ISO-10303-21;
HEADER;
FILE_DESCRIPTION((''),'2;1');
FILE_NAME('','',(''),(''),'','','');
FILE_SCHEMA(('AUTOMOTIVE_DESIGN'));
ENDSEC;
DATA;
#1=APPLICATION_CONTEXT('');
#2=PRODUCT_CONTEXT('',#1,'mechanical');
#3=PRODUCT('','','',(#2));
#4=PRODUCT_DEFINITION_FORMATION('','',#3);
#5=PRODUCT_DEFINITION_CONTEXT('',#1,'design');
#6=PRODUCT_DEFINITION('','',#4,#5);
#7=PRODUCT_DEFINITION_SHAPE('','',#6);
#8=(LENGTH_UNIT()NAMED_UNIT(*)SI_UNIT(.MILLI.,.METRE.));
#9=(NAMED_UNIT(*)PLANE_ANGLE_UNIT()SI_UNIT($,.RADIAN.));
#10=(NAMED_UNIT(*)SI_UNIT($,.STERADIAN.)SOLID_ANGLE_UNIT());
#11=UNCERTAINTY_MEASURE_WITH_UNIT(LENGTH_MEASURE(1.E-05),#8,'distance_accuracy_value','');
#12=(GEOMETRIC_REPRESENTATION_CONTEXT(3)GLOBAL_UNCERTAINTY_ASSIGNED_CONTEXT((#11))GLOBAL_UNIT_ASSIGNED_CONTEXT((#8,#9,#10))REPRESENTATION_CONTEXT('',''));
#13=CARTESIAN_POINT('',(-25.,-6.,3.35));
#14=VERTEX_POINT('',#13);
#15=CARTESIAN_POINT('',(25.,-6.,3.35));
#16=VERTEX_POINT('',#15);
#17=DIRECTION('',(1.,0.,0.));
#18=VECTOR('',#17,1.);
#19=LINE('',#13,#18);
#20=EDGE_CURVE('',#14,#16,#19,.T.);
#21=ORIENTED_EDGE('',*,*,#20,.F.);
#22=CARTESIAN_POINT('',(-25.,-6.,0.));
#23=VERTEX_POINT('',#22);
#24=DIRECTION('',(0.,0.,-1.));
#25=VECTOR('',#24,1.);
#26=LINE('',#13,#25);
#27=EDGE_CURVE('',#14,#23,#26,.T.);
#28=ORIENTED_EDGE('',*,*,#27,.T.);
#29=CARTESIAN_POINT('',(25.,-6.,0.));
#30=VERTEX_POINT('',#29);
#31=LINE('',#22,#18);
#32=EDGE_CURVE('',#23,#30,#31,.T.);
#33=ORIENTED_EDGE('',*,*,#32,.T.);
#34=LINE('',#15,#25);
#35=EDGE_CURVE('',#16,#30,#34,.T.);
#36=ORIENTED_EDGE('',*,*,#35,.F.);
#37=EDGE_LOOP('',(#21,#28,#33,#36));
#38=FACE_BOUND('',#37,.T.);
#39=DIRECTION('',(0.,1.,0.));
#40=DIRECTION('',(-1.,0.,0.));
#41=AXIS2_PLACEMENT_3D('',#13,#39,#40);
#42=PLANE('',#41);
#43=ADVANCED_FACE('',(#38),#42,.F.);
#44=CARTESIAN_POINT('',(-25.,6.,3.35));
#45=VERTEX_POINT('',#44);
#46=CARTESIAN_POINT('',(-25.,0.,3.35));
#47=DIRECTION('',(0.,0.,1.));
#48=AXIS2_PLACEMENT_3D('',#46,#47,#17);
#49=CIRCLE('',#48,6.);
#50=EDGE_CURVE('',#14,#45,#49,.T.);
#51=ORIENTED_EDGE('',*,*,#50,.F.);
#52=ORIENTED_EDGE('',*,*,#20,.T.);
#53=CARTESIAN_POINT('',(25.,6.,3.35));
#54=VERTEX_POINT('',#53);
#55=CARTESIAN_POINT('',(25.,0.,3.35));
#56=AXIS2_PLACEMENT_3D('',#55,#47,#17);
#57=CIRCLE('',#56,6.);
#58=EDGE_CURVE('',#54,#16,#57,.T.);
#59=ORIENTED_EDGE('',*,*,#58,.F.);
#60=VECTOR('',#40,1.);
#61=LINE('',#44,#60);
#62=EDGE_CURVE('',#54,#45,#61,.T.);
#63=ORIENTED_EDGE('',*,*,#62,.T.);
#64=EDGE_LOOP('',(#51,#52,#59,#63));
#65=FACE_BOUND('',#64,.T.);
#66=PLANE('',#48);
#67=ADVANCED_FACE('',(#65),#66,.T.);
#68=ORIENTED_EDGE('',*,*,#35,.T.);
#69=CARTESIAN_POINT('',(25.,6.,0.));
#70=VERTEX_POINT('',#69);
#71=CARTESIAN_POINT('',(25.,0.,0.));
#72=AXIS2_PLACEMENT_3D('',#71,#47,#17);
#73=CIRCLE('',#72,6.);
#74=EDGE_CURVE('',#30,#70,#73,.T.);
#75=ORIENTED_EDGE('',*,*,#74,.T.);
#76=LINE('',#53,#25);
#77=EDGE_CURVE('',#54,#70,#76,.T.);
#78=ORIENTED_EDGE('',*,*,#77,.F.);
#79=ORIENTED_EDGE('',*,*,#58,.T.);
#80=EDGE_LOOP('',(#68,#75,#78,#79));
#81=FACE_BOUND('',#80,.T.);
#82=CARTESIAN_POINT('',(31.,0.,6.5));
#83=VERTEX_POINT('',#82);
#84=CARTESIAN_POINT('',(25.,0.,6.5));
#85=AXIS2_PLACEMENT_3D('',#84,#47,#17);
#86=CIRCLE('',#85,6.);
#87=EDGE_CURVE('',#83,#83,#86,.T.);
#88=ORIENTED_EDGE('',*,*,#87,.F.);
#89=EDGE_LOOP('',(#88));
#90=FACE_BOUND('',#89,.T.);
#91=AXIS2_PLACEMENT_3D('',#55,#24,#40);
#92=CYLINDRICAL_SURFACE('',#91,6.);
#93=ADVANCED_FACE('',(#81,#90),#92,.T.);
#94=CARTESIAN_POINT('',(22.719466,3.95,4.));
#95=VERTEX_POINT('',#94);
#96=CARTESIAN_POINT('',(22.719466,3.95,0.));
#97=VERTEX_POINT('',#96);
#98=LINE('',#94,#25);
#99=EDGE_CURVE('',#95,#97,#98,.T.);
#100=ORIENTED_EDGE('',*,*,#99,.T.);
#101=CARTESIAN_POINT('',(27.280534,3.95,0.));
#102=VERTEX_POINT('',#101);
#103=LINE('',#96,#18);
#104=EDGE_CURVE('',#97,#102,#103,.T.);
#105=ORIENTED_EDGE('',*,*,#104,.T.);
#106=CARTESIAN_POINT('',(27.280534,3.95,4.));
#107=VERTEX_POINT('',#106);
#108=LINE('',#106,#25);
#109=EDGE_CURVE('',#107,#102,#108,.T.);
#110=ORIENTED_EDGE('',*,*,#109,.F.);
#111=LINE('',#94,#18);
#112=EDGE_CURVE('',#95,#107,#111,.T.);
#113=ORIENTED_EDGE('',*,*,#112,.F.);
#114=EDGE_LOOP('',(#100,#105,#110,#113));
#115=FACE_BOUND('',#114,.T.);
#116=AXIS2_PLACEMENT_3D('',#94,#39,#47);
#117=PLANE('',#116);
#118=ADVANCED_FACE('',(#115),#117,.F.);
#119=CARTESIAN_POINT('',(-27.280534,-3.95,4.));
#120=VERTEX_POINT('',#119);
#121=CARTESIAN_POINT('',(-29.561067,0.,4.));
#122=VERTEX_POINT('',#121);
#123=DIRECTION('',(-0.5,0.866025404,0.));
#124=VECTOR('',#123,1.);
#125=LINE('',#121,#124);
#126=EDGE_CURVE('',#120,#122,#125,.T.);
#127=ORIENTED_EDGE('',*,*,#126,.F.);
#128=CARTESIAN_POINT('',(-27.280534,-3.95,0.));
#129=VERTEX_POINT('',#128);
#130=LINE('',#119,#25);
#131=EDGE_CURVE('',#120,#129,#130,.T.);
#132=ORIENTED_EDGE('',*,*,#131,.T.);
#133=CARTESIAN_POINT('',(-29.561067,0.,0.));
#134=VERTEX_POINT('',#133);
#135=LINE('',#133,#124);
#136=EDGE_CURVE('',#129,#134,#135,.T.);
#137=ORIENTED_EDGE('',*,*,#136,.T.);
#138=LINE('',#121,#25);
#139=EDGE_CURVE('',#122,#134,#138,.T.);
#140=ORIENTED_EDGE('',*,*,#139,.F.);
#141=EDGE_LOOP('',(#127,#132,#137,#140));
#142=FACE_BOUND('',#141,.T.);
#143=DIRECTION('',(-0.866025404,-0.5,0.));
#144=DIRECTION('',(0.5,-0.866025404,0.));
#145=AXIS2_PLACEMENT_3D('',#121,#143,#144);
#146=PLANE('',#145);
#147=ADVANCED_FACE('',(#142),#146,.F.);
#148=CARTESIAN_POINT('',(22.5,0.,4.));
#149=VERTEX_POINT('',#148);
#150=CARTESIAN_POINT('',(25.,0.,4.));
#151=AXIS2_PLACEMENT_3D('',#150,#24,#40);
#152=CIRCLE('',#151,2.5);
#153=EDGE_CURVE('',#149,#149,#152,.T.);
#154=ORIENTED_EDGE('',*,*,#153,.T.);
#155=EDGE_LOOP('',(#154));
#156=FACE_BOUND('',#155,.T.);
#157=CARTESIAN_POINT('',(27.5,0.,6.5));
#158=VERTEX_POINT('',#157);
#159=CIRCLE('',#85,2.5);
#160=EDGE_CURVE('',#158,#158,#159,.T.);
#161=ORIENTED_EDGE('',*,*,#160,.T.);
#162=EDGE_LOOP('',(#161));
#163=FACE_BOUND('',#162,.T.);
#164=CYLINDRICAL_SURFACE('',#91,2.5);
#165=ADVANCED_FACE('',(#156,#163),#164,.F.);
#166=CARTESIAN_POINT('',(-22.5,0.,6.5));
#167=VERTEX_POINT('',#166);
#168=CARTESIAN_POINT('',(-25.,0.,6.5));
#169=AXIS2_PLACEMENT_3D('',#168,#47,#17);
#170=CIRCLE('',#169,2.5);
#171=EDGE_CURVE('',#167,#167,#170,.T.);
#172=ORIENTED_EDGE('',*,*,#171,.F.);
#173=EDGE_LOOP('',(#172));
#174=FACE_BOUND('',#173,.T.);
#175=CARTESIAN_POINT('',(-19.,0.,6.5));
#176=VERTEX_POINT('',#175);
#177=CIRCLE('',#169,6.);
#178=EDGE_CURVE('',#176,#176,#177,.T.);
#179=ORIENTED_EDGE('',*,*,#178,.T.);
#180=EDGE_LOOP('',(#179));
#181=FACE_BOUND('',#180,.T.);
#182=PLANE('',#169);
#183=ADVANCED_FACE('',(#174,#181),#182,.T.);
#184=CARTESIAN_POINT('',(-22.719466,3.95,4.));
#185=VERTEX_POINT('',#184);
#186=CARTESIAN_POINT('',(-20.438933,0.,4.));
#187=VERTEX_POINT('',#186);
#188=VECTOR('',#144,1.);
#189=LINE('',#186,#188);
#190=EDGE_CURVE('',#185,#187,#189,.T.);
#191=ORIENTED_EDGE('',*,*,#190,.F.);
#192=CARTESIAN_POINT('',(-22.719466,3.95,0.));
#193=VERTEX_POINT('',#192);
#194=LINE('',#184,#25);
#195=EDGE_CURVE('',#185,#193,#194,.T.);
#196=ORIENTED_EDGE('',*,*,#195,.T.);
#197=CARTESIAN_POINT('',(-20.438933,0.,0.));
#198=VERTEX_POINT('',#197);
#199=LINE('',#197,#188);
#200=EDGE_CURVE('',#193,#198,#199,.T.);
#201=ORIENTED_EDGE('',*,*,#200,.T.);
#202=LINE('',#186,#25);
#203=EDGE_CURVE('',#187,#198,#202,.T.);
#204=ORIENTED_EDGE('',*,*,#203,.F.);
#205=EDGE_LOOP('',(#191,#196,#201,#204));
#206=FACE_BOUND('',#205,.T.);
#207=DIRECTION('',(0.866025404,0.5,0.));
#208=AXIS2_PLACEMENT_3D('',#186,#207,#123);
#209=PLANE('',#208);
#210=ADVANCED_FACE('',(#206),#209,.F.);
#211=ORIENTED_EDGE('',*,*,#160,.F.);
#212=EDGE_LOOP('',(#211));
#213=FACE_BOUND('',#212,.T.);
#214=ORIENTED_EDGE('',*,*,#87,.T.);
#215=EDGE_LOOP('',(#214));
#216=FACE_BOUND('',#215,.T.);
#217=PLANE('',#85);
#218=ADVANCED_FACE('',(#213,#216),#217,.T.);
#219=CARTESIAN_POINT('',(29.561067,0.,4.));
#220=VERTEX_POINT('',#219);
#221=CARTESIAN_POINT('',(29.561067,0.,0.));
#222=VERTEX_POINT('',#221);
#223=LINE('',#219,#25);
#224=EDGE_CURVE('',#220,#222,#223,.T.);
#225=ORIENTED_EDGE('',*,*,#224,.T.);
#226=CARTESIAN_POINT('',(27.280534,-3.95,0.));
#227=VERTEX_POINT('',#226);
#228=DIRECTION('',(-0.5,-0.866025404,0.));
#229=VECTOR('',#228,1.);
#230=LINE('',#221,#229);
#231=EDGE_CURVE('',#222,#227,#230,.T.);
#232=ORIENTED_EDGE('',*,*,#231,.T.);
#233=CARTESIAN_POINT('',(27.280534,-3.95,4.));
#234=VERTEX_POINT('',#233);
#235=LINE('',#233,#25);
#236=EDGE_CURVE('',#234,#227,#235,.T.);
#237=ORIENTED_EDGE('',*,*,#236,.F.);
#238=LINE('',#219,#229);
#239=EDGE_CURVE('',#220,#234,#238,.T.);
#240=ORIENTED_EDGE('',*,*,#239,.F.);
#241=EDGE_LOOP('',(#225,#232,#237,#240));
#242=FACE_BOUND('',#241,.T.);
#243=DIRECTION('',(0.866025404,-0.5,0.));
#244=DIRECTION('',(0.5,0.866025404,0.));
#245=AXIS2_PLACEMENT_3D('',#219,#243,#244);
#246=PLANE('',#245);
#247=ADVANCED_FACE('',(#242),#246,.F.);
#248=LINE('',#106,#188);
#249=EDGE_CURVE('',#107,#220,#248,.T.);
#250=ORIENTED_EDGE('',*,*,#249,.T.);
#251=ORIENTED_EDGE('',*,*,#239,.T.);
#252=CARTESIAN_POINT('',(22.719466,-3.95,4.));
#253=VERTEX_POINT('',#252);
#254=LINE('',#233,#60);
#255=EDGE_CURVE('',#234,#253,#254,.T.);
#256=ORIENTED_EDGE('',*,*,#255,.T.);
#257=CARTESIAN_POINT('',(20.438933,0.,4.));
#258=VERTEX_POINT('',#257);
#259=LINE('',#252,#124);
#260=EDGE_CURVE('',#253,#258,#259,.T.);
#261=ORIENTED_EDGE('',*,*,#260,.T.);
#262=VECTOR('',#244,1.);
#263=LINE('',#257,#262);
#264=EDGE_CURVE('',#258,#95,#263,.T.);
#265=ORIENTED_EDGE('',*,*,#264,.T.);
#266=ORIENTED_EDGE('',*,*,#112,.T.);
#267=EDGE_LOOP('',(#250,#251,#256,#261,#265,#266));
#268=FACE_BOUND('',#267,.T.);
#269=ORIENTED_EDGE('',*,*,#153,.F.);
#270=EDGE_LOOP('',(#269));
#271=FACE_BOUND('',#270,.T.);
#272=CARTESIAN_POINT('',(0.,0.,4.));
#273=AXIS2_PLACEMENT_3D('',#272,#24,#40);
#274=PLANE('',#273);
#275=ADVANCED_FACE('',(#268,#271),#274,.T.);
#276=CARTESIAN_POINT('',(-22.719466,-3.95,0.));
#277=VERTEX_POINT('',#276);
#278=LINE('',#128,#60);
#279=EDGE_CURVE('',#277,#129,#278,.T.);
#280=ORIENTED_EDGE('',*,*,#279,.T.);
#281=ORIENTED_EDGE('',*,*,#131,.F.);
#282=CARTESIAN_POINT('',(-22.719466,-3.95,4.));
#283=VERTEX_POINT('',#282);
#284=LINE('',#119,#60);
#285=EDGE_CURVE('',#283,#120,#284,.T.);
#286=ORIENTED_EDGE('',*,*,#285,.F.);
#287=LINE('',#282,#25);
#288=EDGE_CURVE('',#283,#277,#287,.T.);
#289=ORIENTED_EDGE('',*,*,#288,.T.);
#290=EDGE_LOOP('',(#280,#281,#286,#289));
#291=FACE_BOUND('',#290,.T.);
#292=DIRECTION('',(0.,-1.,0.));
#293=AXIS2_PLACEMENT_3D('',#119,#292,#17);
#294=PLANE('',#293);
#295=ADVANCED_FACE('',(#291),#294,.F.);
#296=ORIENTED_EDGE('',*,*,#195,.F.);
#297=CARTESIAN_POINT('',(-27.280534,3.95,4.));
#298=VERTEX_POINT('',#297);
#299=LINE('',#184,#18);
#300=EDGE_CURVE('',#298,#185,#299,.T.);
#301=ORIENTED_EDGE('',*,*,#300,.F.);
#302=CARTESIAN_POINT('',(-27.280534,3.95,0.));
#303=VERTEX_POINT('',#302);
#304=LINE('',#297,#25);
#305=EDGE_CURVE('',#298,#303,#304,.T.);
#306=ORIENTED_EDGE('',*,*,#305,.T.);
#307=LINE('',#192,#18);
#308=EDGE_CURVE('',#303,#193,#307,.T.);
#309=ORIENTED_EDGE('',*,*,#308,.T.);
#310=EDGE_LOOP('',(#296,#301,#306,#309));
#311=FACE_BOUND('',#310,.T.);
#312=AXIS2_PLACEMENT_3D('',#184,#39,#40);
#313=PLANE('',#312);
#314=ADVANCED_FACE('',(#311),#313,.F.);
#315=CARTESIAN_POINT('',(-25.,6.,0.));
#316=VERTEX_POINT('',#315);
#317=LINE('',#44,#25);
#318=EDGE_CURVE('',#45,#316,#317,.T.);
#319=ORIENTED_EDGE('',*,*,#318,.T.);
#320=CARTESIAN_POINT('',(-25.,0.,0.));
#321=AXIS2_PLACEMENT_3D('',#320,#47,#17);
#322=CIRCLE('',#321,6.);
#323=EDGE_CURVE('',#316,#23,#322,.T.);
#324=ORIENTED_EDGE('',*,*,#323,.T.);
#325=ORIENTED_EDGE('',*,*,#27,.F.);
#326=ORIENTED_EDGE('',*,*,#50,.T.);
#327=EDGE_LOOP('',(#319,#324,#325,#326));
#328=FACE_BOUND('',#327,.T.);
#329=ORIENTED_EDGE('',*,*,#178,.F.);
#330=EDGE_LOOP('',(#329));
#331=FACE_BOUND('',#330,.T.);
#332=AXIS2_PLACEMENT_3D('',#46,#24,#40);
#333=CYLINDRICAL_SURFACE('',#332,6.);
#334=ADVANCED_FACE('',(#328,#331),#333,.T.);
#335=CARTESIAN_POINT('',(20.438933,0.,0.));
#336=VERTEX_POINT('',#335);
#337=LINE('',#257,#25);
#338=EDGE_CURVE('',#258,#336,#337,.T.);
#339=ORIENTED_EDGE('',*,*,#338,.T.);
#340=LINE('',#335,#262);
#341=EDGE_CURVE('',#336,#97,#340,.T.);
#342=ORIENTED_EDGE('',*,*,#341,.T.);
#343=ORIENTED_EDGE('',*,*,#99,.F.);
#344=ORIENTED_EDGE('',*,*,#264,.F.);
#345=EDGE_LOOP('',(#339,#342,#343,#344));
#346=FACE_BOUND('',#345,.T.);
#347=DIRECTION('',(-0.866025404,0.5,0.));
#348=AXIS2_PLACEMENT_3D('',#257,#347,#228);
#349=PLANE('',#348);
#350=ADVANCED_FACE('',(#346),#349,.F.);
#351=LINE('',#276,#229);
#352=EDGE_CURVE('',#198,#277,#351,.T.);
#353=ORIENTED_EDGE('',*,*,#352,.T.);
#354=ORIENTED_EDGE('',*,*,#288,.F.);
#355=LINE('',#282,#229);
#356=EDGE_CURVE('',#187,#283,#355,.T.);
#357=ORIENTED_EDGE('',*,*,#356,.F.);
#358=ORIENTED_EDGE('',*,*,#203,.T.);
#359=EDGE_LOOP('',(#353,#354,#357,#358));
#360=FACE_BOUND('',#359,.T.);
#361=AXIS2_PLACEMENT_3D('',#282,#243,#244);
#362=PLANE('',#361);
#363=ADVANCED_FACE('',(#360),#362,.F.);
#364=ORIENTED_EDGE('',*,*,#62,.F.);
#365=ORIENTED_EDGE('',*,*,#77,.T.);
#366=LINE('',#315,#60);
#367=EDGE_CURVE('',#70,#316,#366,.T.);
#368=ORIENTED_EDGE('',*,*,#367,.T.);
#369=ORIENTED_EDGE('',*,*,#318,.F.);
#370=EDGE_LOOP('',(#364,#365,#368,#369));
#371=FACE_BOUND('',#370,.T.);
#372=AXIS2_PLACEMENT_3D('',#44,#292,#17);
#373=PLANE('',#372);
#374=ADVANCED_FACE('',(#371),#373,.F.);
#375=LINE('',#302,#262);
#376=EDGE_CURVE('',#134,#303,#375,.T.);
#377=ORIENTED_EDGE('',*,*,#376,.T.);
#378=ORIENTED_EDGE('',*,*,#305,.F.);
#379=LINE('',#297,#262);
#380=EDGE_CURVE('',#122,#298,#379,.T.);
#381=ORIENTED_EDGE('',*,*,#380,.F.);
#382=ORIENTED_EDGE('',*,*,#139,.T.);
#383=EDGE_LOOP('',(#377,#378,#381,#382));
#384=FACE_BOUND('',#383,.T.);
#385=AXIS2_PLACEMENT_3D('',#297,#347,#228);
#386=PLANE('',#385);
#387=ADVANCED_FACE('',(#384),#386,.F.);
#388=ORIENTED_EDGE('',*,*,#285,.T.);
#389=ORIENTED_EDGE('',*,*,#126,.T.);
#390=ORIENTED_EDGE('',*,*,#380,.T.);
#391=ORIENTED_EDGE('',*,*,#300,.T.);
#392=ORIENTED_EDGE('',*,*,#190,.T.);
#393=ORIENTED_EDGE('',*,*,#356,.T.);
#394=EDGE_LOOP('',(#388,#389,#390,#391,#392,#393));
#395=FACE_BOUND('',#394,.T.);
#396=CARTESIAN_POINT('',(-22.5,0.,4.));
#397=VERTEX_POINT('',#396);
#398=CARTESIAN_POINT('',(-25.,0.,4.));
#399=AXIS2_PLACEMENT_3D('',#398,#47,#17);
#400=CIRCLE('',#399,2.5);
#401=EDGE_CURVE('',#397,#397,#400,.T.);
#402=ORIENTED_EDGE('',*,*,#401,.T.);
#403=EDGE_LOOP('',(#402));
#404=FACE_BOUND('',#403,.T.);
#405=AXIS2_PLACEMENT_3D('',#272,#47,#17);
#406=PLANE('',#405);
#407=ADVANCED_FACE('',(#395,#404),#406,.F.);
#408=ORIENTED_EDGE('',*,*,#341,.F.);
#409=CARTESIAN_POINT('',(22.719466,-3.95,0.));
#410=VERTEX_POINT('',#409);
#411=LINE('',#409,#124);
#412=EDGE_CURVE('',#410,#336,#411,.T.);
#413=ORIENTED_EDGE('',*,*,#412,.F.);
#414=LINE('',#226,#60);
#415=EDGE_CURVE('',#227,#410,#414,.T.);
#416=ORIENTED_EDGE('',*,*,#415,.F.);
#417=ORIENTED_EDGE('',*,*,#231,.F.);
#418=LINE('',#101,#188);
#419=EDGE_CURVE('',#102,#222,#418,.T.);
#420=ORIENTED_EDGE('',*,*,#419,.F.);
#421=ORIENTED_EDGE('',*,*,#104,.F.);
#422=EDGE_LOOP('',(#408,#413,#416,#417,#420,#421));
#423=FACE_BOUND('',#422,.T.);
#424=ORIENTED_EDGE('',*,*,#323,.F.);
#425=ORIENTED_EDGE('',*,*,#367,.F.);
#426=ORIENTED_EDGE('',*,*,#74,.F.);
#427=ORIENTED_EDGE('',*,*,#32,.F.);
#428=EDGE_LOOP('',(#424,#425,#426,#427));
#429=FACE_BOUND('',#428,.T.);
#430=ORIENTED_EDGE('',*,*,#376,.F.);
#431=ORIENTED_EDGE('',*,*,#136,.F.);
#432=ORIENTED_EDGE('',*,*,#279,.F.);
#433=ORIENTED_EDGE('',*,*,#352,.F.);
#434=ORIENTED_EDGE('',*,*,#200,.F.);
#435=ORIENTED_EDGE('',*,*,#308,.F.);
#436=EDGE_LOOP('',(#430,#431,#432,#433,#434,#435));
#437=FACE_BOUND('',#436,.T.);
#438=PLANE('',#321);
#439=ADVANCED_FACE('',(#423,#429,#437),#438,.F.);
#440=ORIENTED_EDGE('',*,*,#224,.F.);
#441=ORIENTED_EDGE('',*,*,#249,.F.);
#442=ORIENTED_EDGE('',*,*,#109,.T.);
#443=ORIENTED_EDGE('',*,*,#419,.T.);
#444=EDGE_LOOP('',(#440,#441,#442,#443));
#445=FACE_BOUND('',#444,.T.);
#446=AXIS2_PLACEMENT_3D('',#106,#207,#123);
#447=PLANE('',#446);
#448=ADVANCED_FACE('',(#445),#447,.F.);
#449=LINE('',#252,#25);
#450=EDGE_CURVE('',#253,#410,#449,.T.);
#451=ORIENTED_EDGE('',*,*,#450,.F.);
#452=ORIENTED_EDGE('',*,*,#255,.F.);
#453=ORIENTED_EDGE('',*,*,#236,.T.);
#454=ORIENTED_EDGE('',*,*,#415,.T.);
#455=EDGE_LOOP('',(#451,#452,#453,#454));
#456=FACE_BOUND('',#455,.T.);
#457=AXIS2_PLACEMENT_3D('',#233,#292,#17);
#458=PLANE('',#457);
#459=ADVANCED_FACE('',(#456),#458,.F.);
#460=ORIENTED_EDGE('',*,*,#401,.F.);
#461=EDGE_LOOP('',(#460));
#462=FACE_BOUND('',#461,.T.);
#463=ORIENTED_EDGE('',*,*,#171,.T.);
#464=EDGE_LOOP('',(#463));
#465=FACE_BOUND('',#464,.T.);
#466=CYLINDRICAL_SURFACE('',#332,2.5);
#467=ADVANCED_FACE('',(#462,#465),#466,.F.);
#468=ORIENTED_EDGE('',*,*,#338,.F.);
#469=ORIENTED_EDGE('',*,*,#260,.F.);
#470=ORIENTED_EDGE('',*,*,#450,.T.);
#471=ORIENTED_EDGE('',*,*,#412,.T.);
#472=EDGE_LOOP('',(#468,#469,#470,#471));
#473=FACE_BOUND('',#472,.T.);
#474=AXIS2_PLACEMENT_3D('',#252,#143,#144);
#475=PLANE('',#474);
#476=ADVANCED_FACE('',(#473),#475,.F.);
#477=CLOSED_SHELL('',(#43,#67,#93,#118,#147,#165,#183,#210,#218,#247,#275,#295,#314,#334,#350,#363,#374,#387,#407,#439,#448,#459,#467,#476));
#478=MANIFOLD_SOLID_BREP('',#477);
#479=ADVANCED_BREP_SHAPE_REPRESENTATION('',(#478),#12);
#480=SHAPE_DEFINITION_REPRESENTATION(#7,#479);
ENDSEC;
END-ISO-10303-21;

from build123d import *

# Parameters (mm, degrees)
SKETCH1_R           = 2.5
BOSS_EXTRUDE1_DEPTH = 3.35
SKETCH2_R           = 6
SKETCH2_R_2         = 2.5
BOSS_EXTRUDE2_DEPTH = 3.15
CUT_EXTRUDE1_DEPTH  = 4


with BuildPart() as part:
    # Sketch1 → Boss-Extrude1 (new body)
    with BuildSketch(Plane.XY):
        with BuildLine():
            Line((-25, -6), (25, -6))
            ThreePointArc((25, -6), (31, 0), (25, 6))
            Line((25, 6), (-25, 6))
            ThreePointArc((-25, 6), (-31, 0), (-25, -6))
        make_face()
        with Locations((-25, 0)):
            Circle(SKETCH1_R, mode=Mode.SUBTRACT)
        with Locations((25, 0)):
            Circle(SKETCH1_R, mode=Mode.SUBTRACT)
    extrude(amount=BOSS_EXTRUDE1_DEPTH)

    # Sketch2 → Boss-Extrude2 (add)
    # profile 1 of 2: a face of its own
    with BuildSketch(Plane.XY.offset(3.35)):
        with Locations(Location((-25, 0, 0), (0, 0, 270))):
            Circle(SKETCH2_R)
        with Locations((-25, 0)):
            Circle(SKETCH2_R_2, mode=Mode.SUBTRACT)
    # profile 2 of 2: a face of its own
    with BuildSketch(Plane.XY.offset(3.35)):
        with Locations(Location((25, 0, 0), (0, 0, 90))):
            Circle(SKETCH2_R)
        with Locations((25, 0)):
            Circle(SKETCH2_R_2, mode=Mode.SUBTRACT)
    extrude(amount=BOSS_EXTRUDE2_DEPTH)

    # Sketch3 → Cut-Extrude1 (cut)
    with BuildSketch(Plane(origin=(0, 0, 0), x_dir=(-1, 0, 0), z_dir=(0, 0, -1))):
        Polygon((20.438932873, 0), (22.719466437, 3.95), (27.280533563, 3.95), (29.561067127, 0), (27.280533563, -3.95), (22.719466437, -3.95), align=None)
        Polygon((-22.719466437, 3.95), (-27.280533563, 3.95), (-29.561067127, 0), (-27.280533563, -3.95), (-22.719466437, -3.95), (-20.438932873, 0), align=None)
    extrude(amount=-CUT_EXTRUDE1_DEPTH, mode=Mode.SUBTRACT)


solid = part.part
